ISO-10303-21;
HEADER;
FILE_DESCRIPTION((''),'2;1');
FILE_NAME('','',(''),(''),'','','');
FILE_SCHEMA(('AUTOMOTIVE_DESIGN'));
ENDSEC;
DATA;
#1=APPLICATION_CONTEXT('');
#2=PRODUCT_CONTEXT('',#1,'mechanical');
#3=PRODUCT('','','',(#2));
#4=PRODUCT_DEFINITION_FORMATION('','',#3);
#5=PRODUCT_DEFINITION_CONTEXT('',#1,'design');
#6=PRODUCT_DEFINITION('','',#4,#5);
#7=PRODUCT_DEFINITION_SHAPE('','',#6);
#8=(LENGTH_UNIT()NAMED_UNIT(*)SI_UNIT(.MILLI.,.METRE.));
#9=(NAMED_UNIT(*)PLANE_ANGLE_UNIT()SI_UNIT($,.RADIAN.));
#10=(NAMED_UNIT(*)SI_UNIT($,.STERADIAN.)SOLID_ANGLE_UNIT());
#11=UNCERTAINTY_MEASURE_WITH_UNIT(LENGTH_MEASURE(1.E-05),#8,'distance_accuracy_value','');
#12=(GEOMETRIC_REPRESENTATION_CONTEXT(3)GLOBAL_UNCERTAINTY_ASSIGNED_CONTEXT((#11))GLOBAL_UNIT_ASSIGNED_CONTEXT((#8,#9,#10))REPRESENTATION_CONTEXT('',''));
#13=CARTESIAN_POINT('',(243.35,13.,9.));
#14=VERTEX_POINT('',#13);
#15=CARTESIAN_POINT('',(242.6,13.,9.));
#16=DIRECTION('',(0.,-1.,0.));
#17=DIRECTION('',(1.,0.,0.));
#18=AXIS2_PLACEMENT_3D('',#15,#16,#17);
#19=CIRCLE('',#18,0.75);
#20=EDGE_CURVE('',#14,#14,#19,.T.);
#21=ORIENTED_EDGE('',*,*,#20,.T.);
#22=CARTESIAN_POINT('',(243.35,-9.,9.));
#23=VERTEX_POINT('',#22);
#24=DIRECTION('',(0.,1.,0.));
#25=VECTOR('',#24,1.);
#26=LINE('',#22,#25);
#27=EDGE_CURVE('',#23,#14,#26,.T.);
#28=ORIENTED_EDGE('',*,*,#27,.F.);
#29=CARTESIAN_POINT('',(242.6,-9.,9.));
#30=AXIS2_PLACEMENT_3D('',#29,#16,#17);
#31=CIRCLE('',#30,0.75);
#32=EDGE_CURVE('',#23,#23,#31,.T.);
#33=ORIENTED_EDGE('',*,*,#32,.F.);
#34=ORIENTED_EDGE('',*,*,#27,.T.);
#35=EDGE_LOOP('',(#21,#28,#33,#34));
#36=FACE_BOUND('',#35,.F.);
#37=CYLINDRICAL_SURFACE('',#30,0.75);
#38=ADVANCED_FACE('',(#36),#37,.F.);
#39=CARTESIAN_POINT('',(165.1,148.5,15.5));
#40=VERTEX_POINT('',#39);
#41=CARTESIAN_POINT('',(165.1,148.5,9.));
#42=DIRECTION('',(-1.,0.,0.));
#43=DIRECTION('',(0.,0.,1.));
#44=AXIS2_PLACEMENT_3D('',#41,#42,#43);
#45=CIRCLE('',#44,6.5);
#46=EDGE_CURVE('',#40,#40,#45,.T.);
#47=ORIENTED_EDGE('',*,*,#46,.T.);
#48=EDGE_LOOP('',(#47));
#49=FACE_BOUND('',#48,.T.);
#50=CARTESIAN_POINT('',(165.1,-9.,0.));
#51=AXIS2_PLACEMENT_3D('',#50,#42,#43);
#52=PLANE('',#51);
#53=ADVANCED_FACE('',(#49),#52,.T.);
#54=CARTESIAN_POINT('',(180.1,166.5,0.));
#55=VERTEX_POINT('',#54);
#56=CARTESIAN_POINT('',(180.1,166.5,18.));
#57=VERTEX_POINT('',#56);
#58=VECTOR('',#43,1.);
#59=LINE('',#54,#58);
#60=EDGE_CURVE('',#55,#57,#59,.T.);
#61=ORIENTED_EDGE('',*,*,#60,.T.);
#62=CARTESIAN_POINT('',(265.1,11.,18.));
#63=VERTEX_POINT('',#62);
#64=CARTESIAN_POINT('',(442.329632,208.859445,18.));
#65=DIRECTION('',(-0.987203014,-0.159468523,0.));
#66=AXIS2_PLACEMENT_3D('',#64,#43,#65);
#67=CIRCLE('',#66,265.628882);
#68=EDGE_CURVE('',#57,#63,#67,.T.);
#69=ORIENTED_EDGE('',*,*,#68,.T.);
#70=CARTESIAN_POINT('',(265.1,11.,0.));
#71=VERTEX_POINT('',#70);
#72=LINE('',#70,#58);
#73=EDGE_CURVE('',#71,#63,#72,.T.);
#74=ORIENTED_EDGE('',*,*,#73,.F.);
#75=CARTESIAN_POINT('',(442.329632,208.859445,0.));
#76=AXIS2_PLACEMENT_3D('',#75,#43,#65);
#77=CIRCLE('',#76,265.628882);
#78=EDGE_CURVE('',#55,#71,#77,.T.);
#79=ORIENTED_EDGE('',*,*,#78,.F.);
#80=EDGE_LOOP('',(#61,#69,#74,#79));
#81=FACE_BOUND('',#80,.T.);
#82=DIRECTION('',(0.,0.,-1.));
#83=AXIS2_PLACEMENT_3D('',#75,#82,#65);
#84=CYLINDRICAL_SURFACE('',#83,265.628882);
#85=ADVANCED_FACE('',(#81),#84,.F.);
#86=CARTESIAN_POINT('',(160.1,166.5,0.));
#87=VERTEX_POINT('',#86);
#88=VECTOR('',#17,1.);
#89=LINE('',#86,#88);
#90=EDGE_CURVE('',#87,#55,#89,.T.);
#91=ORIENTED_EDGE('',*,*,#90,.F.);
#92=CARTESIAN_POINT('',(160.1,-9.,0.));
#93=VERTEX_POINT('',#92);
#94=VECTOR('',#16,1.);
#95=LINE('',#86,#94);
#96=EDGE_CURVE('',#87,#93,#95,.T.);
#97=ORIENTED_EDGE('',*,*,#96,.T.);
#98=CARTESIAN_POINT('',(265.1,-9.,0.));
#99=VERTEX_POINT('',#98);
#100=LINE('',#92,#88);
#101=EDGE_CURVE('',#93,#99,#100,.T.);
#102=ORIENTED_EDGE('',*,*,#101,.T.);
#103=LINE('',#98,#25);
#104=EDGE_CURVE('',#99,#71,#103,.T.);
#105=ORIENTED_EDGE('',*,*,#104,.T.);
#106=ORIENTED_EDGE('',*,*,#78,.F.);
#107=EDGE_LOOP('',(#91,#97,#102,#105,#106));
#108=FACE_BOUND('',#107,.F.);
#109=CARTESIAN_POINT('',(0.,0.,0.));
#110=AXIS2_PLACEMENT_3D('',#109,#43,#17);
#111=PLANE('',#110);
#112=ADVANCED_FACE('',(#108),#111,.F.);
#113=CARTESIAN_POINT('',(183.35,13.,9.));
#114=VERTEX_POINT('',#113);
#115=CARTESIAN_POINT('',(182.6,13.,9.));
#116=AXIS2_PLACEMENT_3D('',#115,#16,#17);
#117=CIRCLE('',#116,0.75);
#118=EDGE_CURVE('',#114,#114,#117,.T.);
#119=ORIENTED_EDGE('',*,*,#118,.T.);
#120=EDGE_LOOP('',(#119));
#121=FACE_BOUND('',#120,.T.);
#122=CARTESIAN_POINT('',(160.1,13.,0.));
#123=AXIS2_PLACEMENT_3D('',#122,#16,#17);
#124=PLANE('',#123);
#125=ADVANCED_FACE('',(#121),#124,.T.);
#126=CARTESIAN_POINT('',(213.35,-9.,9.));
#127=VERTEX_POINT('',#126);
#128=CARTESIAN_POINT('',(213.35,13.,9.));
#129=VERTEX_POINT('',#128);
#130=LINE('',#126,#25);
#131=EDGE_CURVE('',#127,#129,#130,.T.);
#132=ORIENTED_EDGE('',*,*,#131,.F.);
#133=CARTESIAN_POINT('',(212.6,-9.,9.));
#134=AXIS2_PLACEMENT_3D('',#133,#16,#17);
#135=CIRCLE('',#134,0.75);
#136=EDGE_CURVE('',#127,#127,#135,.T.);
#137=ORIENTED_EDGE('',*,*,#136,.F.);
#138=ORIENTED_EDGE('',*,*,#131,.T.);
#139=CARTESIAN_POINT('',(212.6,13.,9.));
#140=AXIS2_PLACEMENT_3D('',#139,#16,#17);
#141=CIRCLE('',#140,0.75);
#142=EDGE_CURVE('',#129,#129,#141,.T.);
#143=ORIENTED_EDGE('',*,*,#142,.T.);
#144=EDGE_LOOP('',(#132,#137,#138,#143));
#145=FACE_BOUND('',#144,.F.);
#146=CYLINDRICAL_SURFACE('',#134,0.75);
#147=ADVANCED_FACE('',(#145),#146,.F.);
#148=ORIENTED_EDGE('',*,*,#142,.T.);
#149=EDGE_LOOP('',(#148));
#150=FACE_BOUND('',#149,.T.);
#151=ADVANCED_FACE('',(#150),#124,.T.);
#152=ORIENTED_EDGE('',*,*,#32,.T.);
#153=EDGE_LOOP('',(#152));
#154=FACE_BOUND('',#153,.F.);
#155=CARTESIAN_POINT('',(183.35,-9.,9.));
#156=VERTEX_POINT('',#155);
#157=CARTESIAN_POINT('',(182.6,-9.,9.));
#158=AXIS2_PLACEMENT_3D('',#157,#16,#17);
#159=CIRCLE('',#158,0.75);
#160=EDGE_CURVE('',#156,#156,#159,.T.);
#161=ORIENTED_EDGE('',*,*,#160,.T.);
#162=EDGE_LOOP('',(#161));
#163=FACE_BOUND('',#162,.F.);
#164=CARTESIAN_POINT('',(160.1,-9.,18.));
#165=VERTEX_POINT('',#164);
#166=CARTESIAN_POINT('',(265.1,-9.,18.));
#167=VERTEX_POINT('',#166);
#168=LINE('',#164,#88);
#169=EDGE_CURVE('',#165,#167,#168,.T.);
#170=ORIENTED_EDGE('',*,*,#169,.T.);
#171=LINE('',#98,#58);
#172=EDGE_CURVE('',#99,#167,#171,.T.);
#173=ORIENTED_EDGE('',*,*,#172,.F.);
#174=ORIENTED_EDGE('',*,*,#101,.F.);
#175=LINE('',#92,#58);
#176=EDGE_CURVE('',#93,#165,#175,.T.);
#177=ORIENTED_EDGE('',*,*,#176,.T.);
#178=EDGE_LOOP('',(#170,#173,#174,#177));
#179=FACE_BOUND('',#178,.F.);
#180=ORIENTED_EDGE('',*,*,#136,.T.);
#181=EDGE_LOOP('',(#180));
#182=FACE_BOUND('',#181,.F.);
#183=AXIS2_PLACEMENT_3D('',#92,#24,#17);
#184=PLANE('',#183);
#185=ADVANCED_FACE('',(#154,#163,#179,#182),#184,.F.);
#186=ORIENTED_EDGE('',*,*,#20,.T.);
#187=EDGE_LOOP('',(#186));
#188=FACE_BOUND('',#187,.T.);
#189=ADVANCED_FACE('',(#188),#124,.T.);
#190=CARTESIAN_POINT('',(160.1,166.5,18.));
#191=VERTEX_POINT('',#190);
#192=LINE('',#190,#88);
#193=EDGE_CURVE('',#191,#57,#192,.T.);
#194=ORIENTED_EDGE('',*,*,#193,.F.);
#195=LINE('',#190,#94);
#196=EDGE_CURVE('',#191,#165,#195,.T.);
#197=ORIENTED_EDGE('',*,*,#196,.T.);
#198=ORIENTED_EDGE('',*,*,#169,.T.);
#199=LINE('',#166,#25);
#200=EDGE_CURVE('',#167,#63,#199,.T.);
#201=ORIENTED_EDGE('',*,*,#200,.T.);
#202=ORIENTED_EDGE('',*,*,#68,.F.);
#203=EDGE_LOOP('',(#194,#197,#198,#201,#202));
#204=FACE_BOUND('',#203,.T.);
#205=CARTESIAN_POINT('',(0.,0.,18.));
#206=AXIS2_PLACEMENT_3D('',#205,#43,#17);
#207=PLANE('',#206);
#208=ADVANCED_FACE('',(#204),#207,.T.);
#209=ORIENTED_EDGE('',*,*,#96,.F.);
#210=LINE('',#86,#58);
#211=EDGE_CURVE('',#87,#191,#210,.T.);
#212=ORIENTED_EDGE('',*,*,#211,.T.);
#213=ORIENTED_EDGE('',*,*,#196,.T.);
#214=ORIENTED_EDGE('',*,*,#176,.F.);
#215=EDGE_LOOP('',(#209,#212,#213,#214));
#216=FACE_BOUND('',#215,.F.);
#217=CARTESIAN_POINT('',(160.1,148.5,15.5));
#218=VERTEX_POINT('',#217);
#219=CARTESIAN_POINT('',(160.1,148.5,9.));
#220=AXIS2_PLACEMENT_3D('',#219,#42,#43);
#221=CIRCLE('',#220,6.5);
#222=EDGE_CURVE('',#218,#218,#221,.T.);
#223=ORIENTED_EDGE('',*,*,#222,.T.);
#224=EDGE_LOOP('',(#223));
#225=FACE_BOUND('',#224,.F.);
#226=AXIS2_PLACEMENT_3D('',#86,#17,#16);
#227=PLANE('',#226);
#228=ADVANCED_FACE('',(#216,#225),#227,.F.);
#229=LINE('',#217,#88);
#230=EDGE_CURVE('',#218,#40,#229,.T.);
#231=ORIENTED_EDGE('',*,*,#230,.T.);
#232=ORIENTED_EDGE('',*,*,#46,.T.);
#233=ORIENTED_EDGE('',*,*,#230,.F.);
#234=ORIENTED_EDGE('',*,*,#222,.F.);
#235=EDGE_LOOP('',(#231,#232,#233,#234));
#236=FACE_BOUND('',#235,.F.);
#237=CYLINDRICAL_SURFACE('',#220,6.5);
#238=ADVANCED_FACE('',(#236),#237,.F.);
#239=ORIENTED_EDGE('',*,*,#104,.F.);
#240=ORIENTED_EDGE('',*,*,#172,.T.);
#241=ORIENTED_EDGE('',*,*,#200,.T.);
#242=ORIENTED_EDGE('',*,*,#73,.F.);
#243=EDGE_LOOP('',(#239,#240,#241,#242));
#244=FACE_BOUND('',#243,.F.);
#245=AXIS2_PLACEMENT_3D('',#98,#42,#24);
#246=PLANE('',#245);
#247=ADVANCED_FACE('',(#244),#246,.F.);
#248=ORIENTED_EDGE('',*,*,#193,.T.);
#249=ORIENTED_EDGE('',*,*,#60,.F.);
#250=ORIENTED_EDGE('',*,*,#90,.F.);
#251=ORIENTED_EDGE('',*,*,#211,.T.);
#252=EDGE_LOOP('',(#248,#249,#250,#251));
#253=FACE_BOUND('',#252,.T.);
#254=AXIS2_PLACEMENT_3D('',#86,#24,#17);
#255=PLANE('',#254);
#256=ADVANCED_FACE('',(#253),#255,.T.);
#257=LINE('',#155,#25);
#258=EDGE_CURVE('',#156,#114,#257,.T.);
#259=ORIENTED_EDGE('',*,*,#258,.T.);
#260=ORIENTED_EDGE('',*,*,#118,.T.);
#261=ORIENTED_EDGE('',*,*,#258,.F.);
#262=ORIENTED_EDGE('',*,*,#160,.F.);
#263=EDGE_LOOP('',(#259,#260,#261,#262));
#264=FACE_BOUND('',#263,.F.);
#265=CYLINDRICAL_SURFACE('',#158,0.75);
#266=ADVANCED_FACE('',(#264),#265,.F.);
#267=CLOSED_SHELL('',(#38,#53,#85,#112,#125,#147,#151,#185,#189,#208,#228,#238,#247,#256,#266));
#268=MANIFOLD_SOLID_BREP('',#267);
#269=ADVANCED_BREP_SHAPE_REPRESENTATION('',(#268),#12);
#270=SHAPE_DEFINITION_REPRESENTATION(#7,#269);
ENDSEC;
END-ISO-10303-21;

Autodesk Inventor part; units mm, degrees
ref_plane "YZ Plane" through (0, 0, 0) normal (1, 0, 0) x (0, 1, 0)
ref_plane "XZ Plane" through (0, 0, 0) normal (0, 1, 0) x (-1, 0, 0)
ref_plane "XY Plane" through (0, 0, 0) normal (0, 0, 1) x (1, 0, 0)
sketch "Sketch1" plane through (0, 0, 0) normal (0, 0, 1) x (1, 0, 0)
  line L0 (0, 0) -> (140, 0) construction
  line L1 (140, 0) -> (140, 300) construction
  line L2 (140, 300) -> (0, 300) construction
  line L3 (0, 300) -> (0, 0) construction
  line L4 (70, 308.6686) -> (70, 317.1965) construction
  line L5 (130, 290) -> (130, 293.3347) construction
  line L6 (0, 160.5) -> (-18, 160.5) construction
  line L7 (-18, 160.5) -> (-18, 180.5) construction
  line L8 (-18, 180.5) -> (0, 180.5) construction
  line L9 (0, 180.5) -> (0, 160.5) construction
  line L10 (-16.3067, 150) -> (-26.4998, 150) construction
  circle A0 centre (-9, 170.5) radius 3 construction
  line L11 (-18, 180.5) -> (0, 200.5) construction
  line L12 (0, 139.5) -> (-18, 139.5) construction
  line L13 (-18, 139.5) -> (-18, 119.5) construction
  circle A1 centre (-9, 129.5) radius 3 construction
  line L14 (-18, 119.5) -> (0, 99.5) construction
  line L15 (140, 160.5) -> (158, 160.5) construction
  line L16 (158, 160.5) -> (158, 180.5) construction
  circle A2 centre (149, 170.5) radius 3 construction
  line L17 (158, 180.5) -> (140, 200.5) construction
  line L18 (158, 139.5) -> (158, 119.5) construction
  line L19 (140, 139.5) -> (158, 139.5) construction
  circle A3 centre (149, 129.5) radius 3 construction
  line L20 (158, 119.5) -> (140, 99.5) construction
  line L21 (158, 186) -> (140, 186) construction
  line L22 (140, 186) -> (140, 114) construction
  line L23 (140, 114) -> (158, 114) construction
  line L24 (158, 114) -> (158, 186) construction
  line L25 (158, 156.5) -> (153, 156.5) construction
  line L26 (153, 156.5) -> (153, 143.5) construction
  line L27 (153, 143.5) -> (158, 143.5) construction
  line L28 (158, 143.5) -> (158, 156.5) construction
  line L29 (153, 152) -> (165, 152) construction
  line L30 (165, 152) -> (165, 148) construction
  line L31 (165, 148) -> (153, 148) construction
  line L32 (153, 148) -> (153, 152) construction
  line L33 (158.25, 155.5) -> (159.85, 155.5) construction
  line L34 (159.85, 155.5) -> (159.85, 144.5) construction
  line L35 (159.85, 144.5) -> (158.25, 144.5) construction
  line L36 (158.25, 144.5) -> (158.25, 155.5) construction
  line L37 (160.1, 156.5) -> (165.1, 156.5) construction
  line L38 (165.1, 156.5) -> (165.1, 143.5) construction
  line L39 (165.1, 143.5) -> (160.1, 143.5) construction
  line L40 (160.1, 143.5) -> (160.1, 156.5) construction
  line L41 (160.1, 166.5) -> (160.1, -9)
  line L42 (160.1, 166.5) -> (180.1, 166.5)
  line L43 (160.1, -9) -> (70, -9) construction
  line L44 (160.1, -9) -> (265.1, -9)
  line L45 (265.1, -9) -> (265.1, 11)
  arc A4 (180.1, 166.5) -> (265.1, 11) centre (442.3295, 208.8594) ccw
  point P0 (70, 300)
  point P1 (10, 150)
  point P2 (0, 150)
  point P3 (70, 312.9325)
  point P4 (-21.4032, 150)
  point P5 (-18, 170.5)
  point P6 (-9, 180.5)
  point P7 (153, 150)
  point P8 (140, 150)
  point P9 (153, 150)
  point P10 (158.25, 150)
  dimension "d0" = 140
  dimension "d1" = 300
  dimension "d85" = 18
  dimension "d86" = 20
  dimension "d87" = 10.5
  dimension "d88" = 6
  dimension "d89" = 20
  dimension "racewidth" = 5
  dimension "d110" = 13
  dimension "d111" = 12
  dimension "d112" = 4
  dimension "d113" = 1.6
  dimension "d114" = 5
  dimension "d117" = 11
  dimension "gap" = 0.25
  dimension "d119" = 0.25
  dimension "d120" = 0
  dimension "d121" = 10
  dimension "d122" = 20
  dimension "d123" = 9
  dimension "d124" = 20.1
  dimension "d126" = 105
  dimension "d127" = 20
  dimension "d128" = 0.1
  dimension "d129" = 175.5
  dimension "d132" = 16.5
  dimension "d147" = 90.1
  dimension "d148" = 2.1
extrude "Extrusion1" add sketch "Sketch1" along normal blind 18
sketch "Sketch2" plane through (160.1, -9, 0) normal (-1, 0, 0) x (0, 0, 1)
  circle A0 centre (9, 157.5) radius 6.5
  line L0 (0, 175.5) -> (18, 175.5) projected
  point P0 (0, 9)
  point P1 (9, 175.5)
  dimension "bearingdiameter" = 13
  dimension "d134" = 18
extrude "Extrusion2" cut sketch "Sketch2" against normal blind 5
sketch "Sketch3" plane through (160.1, -9, 0) normal (0, -1, 0) x (1, 0, 0)
  circle A0 centre (22.5, 9) radius 0.75
  line L0 (0, 0) -> (0, 18) projected
  line L1 (0, 0) -> (105, 0) projected
  circle A1 centre (52.5, 9) radius 0.75
  circle A2 centre (82.5, 9) radius 0.75
  point P0 (-160.1, 0)
  point P1 (0, 9)
  point P2 (52.5, 0)
  dimension "d137" = 1.5
  dimension "d140" = 30
extrude "Extrusion3" cut sketch "Sketch3" against normal blind 22
properties part number "arms"
